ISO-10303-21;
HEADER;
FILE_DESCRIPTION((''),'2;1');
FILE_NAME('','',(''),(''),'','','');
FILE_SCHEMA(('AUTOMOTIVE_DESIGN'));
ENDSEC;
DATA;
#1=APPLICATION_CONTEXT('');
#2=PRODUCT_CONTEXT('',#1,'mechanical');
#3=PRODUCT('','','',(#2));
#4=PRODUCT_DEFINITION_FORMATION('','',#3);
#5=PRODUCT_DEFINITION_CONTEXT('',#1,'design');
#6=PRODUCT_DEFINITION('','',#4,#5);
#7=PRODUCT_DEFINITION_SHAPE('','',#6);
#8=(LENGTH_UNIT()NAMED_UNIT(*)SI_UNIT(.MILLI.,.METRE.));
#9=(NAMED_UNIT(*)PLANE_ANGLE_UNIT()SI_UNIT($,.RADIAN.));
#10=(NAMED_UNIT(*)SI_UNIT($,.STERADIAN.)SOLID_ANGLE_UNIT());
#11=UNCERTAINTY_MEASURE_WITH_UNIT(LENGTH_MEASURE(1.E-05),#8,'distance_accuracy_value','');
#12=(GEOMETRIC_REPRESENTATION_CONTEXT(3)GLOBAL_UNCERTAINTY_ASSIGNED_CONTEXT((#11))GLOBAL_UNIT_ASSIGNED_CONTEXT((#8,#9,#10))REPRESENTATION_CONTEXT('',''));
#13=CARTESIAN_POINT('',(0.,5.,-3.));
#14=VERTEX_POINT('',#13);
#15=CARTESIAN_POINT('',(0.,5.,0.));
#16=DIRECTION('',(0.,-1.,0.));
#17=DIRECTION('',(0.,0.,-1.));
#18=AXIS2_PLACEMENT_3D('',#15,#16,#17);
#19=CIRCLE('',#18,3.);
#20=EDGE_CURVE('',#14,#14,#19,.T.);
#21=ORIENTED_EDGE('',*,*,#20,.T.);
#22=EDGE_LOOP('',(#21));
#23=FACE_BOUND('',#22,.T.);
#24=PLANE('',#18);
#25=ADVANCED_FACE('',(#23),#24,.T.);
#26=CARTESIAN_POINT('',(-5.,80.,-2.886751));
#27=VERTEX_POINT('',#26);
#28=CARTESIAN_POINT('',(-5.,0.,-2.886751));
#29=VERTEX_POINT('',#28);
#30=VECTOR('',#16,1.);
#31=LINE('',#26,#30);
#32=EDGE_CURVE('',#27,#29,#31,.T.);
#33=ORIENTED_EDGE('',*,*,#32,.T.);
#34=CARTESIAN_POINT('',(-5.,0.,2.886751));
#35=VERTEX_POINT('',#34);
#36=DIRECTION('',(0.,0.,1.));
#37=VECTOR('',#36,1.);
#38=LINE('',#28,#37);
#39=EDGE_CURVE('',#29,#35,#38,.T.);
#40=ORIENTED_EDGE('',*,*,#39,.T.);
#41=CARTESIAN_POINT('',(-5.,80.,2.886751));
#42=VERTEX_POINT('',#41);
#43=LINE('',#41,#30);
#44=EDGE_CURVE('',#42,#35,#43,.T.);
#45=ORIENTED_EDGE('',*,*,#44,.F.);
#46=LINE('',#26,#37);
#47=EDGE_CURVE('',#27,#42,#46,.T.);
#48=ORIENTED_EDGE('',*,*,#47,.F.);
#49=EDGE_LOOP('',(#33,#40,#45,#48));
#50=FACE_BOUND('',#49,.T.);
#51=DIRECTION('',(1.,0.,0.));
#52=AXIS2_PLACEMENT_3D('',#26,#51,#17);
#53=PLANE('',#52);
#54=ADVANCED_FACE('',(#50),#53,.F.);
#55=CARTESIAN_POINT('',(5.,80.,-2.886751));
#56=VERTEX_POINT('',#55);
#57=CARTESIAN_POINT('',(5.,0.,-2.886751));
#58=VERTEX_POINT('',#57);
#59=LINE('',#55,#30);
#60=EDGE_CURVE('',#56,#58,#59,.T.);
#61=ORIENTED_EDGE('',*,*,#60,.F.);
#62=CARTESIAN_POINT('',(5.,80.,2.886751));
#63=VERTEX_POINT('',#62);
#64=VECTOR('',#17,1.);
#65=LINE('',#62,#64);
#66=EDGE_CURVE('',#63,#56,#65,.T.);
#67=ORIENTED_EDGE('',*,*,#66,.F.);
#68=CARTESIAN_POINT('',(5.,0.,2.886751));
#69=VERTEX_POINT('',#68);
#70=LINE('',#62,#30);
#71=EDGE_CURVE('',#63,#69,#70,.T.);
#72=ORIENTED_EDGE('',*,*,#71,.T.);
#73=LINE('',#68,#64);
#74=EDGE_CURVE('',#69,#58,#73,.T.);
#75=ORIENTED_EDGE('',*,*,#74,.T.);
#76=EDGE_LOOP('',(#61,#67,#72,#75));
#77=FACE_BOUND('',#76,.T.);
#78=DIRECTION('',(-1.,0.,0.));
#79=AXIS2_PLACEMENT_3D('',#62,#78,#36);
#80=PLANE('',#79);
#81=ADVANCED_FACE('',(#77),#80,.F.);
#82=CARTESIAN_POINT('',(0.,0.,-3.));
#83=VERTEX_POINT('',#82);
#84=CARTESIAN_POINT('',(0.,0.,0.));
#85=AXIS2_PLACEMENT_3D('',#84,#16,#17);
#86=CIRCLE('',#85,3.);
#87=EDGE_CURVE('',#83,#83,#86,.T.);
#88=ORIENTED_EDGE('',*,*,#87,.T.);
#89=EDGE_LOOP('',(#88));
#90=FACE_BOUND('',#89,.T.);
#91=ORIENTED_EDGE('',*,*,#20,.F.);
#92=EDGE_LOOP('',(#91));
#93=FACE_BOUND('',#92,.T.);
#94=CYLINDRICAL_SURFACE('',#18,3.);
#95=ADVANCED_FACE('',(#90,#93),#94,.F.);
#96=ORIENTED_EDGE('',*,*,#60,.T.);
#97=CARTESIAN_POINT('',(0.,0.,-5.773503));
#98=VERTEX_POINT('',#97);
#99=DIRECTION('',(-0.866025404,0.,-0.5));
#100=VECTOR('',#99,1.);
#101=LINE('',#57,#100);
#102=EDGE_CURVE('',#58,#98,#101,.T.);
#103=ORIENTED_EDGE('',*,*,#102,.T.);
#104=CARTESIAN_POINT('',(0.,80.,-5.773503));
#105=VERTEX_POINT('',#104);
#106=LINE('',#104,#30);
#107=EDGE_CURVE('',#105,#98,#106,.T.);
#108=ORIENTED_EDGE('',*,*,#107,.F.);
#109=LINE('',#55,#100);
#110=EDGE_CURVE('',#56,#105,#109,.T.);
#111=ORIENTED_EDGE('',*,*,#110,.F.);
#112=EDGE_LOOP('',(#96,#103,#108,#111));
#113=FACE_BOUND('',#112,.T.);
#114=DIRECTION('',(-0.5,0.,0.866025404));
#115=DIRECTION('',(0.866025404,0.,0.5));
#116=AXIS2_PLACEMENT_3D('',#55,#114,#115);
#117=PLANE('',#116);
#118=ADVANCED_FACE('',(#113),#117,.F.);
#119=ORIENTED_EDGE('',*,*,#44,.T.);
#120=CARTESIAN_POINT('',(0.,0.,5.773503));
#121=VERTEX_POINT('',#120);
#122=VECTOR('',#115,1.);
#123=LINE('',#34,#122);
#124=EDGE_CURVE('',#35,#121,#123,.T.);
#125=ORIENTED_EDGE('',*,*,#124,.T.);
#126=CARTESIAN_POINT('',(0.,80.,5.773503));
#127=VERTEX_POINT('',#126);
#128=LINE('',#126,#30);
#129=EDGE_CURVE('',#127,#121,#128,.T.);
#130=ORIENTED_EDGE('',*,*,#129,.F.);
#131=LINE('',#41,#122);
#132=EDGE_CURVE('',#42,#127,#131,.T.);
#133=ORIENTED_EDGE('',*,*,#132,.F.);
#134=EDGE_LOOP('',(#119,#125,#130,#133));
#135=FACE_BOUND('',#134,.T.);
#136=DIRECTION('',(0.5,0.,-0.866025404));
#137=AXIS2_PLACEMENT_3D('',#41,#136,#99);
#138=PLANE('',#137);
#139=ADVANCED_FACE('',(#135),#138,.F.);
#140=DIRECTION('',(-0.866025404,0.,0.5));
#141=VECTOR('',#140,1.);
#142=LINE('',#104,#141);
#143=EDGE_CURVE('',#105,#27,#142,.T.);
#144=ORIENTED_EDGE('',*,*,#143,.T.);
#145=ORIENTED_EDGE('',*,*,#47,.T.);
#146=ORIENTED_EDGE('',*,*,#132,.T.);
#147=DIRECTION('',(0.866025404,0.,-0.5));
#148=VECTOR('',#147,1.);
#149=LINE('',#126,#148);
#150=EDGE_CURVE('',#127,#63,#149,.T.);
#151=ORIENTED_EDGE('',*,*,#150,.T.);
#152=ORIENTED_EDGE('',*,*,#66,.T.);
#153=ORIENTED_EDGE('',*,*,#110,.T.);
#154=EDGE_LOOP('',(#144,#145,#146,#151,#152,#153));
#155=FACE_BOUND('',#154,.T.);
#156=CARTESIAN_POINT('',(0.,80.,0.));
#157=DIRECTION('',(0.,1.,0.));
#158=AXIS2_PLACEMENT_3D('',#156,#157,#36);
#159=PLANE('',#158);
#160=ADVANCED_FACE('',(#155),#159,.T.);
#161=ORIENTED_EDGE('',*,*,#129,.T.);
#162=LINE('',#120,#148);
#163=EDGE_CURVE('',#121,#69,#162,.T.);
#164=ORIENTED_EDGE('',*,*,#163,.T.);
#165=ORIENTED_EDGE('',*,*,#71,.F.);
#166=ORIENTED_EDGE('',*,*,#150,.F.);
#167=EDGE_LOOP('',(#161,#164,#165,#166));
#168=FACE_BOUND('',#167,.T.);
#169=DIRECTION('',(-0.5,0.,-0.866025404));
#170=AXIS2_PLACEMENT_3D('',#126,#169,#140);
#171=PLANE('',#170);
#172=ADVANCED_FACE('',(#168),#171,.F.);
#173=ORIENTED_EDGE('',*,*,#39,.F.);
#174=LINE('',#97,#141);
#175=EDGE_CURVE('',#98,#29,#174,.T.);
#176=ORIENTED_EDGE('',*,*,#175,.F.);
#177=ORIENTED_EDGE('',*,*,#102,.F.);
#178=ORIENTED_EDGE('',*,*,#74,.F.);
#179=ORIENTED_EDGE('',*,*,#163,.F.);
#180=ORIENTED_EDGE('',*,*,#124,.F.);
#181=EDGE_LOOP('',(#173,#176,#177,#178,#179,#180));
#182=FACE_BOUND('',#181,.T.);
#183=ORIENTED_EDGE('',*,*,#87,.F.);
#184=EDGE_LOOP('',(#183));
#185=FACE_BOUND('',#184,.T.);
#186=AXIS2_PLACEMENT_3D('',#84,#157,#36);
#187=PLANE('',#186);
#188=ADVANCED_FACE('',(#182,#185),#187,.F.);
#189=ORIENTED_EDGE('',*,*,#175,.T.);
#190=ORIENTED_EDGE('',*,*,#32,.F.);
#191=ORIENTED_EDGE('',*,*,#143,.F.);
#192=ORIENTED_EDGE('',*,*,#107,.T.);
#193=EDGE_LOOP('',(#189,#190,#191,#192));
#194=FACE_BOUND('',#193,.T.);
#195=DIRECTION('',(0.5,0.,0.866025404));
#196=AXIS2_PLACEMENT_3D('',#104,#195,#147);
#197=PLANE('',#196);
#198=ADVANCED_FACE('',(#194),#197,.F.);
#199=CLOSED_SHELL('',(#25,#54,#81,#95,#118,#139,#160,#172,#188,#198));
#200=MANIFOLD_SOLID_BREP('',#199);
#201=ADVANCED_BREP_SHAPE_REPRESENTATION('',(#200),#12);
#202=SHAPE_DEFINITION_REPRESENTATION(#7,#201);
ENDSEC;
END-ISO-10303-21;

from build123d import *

# Parameters (mm, degrees)
BOSS_EXTRUDE1_DEPTH = 80
SKETCH2_R           = 3
CUT_EXTRUDE1_DEPTH  = 5


with BuildPart() as part:
    # Sketch1 → Boss-Extrude1 (new body)
    with BuildSketch(Plane(origin=(0, 0, 0), x_dir=(1, 0, 0), z_dir=(0, 1, 0))):
        Polygon((0, 5.773502692), (-5, 2.886751346), (-5, -2.886751346), (0, -5.773502692), (5, -2.886751346), (5, 2.886751346), align=None)
    extrude(amount=BOSS_EXTRUDE1_DEPTH)

    # Sketch2 → Cut-Extrude1 (cut)
    with BuildSketch(Plane.XZ):
        Circle(SKETCH2_R)
    extrude(amount=-CUT_EXTRUDE1_DEPTH, mode=Mode.SUBTRACT)


solid = part.part
